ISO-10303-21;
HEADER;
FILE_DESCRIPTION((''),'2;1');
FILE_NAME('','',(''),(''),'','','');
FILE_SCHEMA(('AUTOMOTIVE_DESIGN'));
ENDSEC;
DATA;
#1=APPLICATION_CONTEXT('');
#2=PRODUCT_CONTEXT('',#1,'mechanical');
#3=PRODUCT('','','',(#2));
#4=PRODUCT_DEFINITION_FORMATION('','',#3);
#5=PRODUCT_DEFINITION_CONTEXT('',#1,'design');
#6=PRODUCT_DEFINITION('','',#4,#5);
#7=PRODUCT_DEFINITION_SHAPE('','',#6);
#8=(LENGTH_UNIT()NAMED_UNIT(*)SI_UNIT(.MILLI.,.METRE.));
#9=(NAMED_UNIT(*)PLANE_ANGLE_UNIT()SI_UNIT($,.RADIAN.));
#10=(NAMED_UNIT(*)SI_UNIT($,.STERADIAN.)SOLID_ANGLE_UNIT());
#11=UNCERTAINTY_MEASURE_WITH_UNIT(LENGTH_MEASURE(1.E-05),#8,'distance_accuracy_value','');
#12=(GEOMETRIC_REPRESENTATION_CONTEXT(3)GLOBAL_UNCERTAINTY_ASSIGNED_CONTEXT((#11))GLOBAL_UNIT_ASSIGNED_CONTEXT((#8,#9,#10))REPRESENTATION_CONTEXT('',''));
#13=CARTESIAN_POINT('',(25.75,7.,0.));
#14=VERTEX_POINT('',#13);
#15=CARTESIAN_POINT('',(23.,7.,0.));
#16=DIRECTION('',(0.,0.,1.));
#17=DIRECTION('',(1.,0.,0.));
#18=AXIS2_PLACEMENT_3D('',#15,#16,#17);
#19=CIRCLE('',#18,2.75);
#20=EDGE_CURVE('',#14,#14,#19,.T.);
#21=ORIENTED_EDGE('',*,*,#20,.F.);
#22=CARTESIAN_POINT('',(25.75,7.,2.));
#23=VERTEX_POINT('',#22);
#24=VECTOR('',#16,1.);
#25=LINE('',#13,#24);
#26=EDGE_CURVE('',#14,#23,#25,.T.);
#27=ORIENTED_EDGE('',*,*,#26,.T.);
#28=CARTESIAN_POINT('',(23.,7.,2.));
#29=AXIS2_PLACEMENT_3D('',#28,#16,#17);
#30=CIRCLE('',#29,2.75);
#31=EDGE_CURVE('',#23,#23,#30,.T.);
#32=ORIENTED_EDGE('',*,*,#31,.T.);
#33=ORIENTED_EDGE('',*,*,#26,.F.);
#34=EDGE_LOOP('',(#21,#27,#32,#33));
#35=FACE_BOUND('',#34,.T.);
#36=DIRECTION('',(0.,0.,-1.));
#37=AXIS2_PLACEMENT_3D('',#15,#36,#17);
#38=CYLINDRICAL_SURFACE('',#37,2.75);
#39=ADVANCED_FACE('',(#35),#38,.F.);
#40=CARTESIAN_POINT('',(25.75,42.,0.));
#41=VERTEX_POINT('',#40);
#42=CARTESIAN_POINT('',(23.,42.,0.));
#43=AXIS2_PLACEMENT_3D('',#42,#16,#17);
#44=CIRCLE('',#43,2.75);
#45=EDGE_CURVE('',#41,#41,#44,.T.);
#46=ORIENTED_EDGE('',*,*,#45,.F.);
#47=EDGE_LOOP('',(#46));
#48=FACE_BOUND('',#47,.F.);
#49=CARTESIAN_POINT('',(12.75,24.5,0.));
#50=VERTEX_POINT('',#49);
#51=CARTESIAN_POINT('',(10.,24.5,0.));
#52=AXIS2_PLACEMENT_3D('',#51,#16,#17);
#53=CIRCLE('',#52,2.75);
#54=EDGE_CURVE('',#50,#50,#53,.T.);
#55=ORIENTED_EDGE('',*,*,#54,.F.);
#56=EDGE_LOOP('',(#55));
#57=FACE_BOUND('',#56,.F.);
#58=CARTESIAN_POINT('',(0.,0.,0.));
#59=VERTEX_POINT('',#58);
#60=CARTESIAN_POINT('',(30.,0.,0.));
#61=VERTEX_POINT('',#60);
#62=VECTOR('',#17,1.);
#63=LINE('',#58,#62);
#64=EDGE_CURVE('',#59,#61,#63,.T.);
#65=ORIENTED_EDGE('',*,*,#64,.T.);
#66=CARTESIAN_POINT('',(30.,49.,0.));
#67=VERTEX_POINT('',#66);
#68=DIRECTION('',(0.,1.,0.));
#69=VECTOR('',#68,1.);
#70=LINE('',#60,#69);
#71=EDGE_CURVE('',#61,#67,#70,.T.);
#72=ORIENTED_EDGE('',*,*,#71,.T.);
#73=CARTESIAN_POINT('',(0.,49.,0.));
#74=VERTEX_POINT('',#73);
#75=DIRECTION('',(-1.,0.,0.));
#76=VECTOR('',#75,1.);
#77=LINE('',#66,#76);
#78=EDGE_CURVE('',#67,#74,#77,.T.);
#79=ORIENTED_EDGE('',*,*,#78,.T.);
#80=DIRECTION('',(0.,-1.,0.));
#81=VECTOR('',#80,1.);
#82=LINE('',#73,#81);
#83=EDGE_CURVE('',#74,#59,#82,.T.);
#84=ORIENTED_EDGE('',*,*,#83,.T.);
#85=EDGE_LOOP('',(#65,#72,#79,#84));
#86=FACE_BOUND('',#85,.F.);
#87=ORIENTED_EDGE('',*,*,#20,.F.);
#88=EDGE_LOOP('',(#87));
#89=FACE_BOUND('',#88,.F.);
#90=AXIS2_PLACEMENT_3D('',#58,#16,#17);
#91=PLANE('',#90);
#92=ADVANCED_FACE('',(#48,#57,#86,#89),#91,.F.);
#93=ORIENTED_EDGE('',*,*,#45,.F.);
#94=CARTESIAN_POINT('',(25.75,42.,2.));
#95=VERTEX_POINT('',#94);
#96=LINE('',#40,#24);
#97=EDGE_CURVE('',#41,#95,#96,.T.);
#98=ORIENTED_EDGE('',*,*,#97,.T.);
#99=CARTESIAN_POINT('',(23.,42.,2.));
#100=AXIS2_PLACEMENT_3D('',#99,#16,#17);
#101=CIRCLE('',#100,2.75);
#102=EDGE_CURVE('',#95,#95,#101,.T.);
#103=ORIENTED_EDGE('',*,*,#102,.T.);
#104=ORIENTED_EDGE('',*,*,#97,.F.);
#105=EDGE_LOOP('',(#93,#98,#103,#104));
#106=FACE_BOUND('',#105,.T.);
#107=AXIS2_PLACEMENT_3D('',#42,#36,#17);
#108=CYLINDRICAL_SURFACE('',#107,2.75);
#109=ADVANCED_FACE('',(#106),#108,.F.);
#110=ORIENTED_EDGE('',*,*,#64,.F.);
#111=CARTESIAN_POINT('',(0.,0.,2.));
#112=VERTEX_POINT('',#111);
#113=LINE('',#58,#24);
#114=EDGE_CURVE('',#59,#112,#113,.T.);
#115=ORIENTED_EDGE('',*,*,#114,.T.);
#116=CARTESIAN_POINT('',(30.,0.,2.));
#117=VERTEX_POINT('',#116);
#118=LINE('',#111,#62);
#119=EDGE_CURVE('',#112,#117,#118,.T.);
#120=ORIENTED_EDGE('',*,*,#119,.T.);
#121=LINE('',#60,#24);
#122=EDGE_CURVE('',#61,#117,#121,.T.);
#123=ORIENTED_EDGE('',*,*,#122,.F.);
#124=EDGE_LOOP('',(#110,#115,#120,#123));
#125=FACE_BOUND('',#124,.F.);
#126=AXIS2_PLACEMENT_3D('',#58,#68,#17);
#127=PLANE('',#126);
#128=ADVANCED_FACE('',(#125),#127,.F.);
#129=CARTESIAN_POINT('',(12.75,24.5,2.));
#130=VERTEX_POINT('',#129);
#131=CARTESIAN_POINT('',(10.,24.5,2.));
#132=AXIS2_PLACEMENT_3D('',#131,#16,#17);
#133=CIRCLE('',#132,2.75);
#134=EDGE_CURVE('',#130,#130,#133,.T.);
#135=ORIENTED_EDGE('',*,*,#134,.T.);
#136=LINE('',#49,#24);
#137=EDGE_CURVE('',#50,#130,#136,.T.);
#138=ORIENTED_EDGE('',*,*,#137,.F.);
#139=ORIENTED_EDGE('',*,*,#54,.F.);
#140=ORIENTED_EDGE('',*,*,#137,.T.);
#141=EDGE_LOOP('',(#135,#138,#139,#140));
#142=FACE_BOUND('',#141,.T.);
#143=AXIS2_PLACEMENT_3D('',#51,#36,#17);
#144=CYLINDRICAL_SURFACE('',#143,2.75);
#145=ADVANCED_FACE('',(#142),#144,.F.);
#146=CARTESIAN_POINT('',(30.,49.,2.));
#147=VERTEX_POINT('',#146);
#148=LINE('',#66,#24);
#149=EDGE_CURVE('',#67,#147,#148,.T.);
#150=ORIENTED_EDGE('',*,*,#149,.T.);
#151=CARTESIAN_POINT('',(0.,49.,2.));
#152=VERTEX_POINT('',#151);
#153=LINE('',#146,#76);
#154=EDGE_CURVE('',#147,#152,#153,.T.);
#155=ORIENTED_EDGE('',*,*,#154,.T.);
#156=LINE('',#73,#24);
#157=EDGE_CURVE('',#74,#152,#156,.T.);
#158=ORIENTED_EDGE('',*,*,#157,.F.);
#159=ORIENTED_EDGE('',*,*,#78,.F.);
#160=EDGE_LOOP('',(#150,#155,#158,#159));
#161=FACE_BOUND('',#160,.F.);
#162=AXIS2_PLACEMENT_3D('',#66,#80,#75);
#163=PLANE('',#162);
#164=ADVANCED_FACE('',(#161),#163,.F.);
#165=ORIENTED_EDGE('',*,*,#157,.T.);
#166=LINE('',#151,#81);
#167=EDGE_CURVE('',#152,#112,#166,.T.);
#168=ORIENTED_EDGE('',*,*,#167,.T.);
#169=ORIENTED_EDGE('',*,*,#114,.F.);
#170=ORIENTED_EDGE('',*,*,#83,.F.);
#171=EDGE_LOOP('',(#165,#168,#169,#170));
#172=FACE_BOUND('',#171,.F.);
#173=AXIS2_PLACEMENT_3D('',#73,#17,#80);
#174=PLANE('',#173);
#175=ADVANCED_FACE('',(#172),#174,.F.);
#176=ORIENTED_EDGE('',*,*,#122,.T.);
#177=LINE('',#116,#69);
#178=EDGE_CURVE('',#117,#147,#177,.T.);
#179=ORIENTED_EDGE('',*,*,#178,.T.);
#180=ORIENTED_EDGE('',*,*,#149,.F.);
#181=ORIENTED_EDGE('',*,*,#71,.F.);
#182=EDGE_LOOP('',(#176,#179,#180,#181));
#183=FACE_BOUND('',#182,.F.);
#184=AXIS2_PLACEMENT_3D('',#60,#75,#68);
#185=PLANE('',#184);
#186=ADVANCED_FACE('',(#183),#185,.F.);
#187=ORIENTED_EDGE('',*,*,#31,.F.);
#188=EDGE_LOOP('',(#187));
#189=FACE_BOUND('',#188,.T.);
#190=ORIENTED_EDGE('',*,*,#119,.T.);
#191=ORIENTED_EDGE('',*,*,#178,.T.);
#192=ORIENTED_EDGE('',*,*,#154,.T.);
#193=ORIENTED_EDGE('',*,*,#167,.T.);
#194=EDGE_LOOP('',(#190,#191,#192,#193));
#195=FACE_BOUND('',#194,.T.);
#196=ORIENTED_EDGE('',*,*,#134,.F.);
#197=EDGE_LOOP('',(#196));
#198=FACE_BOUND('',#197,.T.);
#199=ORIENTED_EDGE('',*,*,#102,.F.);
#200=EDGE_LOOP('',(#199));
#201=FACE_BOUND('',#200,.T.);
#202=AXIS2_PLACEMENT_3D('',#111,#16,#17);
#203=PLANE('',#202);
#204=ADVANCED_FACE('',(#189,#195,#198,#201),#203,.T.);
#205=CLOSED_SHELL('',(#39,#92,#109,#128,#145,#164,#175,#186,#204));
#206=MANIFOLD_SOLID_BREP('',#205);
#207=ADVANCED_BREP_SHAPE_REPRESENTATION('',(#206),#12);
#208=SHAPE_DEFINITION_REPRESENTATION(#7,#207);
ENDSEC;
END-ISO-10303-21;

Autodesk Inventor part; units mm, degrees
ref_plane "YZ Plane" through (0, 0, 0) normal (1, 0, 0) x (0, 1, 0)
ref_plane "XZ Plane" through (0, 0, 0) normal (0, 1, 0) x (-1, 0, 0)
ref_plane "XY Plane" through (0, 0, 0) normal (0, 0, 1) x (1, 0, 0)
sketch "Sketch1" plane through (0, 0, 0) normal (0, 0, 1) x (1, 0, 0)
  line L0 (0, 0) -> (30, 0)
  line L1 (30, 0) -> (30, 49)
  line L2 (30, 49) -> (0, 49)
  line L3 (0, 49) -> (0, 0)
  circle A0 centre (23, 42) radius 2.75
  circle A1 centre (10, 24.5) radius 2.75
  circle A2 centre (23, 7) radius 2.75
  dimension "d0" = 30
  dimension "d1" = 49
  dimension "d2" = 5.5
  dimension "d3" = 7
  dimension "d4" = 7
  dimension "d5" = 5.5
  dimension "d6" = 24.5
  dimension "d7" = 10
extrude "Extrusion1" add sketch "Sketch1" along normal blind 2
properties part number "hinge flag plate"
